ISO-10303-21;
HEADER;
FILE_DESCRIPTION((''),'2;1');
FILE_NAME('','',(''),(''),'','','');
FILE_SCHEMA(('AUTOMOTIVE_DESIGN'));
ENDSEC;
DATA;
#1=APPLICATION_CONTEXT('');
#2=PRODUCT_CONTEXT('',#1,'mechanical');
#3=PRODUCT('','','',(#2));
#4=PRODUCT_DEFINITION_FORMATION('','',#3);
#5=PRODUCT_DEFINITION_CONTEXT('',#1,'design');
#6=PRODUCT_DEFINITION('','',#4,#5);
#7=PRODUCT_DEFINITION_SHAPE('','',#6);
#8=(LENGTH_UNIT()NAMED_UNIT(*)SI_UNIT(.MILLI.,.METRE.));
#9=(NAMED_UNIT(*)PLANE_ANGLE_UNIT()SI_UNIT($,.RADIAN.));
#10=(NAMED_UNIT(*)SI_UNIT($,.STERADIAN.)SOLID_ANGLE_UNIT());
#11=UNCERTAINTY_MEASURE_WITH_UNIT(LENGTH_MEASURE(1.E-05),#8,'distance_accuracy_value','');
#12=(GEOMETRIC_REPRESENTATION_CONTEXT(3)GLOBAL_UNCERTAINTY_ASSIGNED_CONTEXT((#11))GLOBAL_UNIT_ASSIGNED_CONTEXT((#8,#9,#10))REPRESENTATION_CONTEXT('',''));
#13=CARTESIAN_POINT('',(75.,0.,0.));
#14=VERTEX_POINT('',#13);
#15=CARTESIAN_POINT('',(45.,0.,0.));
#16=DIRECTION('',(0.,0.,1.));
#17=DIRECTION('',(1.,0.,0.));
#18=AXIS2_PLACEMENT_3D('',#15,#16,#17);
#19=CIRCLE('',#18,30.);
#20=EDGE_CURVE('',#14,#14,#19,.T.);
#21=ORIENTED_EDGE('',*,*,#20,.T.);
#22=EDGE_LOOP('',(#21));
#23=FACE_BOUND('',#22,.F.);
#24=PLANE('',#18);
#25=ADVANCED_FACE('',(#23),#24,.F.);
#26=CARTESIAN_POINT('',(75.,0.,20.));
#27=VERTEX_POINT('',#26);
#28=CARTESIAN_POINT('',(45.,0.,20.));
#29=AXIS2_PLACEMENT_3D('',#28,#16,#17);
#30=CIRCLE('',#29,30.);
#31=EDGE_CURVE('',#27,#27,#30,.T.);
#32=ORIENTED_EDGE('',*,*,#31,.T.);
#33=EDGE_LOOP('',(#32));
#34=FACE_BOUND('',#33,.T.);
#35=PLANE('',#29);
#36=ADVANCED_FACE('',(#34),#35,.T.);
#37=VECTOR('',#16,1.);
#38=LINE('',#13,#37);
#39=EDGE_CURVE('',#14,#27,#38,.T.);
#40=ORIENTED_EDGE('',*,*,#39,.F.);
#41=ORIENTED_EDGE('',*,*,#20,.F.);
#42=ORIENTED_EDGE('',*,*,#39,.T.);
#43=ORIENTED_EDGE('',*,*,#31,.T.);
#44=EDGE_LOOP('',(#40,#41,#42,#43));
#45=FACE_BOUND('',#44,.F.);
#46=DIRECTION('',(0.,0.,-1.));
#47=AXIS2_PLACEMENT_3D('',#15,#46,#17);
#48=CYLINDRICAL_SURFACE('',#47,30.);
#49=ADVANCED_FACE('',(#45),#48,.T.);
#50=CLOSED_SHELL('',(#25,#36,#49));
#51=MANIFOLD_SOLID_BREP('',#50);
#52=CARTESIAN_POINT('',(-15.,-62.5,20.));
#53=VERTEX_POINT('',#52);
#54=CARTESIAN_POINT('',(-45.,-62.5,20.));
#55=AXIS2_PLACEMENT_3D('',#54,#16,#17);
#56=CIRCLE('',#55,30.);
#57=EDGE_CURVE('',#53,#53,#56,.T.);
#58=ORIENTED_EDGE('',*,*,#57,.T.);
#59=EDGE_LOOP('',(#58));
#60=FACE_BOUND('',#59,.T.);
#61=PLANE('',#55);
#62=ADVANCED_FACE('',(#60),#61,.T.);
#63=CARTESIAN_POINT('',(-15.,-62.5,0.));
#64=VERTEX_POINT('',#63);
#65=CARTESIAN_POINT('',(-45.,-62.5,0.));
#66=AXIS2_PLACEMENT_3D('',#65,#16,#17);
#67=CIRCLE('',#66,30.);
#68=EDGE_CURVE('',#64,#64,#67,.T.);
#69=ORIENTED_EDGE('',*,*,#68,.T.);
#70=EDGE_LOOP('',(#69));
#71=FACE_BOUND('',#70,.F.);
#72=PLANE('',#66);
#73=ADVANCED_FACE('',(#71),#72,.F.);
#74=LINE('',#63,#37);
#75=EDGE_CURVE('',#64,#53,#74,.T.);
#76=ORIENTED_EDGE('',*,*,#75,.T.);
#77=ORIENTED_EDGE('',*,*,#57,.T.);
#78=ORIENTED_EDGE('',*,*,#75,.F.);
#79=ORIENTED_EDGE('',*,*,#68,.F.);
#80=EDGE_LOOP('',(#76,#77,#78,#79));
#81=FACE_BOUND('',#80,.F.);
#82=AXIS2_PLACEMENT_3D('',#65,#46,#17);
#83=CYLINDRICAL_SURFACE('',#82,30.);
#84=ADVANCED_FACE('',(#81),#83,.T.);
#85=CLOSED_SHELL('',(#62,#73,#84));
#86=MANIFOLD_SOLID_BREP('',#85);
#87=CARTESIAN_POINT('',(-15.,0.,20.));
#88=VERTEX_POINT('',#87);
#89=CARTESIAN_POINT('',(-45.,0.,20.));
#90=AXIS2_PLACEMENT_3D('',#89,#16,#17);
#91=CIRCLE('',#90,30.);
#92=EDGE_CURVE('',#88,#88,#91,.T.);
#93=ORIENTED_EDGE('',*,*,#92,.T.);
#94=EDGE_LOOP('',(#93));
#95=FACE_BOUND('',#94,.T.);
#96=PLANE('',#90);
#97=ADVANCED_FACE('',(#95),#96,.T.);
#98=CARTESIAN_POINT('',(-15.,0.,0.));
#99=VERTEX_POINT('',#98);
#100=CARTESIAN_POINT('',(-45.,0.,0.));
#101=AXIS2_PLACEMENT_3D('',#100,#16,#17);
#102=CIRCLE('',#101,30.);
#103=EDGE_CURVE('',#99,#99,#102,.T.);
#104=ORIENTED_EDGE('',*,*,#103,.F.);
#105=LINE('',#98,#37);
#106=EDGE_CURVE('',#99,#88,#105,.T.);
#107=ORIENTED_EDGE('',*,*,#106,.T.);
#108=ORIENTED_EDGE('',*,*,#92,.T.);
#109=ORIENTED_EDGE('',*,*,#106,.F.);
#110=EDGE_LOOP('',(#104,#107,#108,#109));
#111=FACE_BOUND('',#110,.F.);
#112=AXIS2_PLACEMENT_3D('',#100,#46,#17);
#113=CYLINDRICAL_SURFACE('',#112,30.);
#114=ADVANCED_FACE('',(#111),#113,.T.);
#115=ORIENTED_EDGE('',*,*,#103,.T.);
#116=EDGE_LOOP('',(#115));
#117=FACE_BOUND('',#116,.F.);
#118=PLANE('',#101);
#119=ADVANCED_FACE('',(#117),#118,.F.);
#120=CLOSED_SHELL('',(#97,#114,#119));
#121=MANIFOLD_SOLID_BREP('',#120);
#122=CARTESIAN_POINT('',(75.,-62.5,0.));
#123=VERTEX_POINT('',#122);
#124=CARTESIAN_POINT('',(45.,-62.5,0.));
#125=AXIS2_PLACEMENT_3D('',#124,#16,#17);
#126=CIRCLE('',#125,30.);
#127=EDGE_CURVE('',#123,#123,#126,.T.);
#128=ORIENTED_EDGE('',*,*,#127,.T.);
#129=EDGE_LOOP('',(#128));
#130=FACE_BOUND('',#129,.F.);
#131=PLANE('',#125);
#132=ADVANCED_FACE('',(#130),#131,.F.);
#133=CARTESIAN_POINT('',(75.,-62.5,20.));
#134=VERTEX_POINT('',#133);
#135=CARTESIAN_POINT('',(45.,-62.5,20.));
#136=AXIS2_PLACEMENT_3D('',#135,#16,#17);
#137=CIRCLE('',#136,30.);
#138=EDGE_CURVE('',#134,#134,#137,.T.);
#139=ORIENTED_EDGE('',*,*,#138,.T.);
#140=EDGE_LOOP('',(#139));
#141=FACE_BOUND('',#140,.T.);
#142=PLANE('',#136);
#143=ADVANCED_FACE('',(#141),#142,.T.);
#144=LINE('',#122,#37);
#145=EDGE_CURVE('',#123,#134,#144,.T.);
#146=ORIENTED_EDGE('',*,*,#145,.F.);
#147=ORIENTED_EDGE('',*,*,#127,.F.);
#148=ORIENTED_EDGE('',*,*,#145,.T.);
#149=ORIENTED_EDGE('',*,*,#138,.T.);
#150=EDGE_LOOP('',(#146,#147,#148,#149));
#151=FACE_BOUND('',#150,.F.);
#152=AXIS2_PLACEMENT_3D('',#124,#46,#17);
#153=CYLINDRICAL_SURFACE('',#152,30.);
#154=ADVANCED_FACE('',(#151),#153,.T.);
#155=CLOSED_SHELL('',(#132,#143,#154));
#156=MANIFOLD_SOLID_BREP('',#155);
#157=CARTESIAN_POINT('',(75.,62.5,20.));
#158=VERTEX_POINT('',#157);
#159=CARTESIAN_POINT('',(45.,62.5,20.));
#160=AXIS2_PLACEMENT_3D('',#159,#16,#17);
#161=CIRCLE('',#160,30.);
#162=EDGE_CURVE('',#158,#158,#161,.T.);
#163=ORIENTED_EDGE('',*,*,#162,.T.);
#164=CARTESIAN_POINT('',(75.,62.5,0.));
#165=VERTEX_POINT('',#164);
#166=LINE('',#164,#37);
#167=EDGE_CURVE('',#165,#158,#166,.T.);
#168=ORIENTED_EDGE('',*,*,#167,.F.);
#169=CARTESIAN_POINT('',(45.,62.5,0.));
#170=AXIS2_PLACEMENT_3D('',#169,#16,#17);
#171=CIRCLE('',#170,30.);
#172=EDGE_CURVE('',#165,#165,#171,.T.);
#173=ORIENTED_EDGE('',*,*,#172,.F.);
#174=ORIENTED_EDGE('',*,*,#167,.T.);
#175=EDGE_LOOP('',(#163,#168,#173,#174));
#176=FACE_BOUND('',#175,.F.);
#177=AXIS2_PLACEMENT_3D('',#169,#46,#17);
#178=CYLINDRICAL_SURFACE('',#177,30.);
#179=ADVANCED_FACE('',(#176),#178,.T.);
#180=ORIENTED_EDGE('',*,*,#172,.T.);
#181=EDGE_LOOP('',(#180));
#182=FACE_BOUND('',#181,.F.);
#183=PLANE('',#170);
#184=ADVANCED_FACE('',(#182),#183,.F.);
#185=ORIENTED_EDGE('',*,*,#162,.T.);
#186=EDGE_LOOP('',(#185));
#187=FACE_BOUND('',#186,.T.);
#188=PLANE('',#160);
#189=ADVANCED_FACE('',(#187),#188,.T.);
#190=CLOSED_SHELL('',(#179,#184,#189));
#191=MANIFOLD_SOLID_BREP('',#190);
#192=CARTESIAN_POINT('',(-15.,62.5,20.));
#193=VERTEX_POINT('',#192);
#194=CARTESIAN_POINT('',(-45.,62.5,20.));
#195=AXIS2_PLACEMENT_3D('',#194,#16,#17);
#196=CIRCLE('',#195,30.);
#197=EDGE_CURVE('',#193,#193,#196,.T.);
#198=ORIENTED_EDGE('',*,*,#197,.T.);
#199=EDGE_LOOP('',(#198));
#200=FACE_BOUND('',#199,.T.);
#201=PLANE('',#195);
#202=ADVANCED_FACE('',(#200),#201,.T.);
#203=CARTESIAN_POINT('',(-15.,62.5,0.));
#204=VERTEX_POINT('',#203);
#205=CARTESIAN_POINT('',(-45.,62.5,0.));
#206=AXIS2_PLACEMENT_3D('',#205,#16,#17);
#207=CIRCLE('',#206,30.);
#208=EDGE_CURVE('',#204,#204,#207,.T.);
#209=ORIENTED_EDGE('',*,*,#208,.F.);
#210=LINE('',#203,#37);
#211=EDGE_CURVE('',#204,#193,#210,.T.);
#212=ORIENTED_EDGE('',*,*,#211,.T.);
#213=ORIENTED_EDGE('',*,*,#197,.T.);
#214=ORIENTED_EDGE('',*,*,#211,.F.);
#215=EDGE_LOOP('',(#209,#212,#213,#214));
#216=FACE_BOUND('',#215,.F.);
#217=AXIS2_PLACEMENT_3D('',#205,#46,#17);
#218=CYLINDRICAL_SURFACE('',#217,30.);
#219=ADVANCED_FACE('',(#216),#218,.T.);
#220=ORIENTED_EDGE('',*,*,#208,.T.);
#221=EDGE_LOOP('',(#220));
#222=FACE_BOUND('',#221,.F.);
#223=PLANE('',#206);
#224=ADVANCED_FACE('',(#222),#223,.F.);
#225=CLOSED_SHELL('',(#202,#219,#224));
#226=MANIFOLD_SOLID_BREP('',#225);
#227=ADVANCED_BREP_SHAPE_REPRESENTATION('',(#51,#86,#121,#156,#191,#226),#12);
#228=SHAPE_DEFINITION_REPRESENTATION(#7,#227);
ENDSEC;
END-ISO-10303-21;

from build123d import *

# Parameters (mm, degrees)
F0_R     = 30
F1_DEPTH = 20


with BuildPart() as f1:
    # F0 (on Top) → F1 (new body)
    with BuildSketch(Plane.XY):
        with Locations((-45, 62.5)):
            Circle(F0_R)
        with Locations((-45, 0)):
            Circle(F0_R)
        with Locations((-45, -62.5)):
            Circle(F0_R)
        with Locations((45, 62.5)):
            Circle(F0_R)
        with Locations((45, 0)):
            Circle(F0_R)
        with Locations((45, -62.5)):
            Circle(F0_R)
    extrude(amount=F1_DEPTH)


solid = f1.part
